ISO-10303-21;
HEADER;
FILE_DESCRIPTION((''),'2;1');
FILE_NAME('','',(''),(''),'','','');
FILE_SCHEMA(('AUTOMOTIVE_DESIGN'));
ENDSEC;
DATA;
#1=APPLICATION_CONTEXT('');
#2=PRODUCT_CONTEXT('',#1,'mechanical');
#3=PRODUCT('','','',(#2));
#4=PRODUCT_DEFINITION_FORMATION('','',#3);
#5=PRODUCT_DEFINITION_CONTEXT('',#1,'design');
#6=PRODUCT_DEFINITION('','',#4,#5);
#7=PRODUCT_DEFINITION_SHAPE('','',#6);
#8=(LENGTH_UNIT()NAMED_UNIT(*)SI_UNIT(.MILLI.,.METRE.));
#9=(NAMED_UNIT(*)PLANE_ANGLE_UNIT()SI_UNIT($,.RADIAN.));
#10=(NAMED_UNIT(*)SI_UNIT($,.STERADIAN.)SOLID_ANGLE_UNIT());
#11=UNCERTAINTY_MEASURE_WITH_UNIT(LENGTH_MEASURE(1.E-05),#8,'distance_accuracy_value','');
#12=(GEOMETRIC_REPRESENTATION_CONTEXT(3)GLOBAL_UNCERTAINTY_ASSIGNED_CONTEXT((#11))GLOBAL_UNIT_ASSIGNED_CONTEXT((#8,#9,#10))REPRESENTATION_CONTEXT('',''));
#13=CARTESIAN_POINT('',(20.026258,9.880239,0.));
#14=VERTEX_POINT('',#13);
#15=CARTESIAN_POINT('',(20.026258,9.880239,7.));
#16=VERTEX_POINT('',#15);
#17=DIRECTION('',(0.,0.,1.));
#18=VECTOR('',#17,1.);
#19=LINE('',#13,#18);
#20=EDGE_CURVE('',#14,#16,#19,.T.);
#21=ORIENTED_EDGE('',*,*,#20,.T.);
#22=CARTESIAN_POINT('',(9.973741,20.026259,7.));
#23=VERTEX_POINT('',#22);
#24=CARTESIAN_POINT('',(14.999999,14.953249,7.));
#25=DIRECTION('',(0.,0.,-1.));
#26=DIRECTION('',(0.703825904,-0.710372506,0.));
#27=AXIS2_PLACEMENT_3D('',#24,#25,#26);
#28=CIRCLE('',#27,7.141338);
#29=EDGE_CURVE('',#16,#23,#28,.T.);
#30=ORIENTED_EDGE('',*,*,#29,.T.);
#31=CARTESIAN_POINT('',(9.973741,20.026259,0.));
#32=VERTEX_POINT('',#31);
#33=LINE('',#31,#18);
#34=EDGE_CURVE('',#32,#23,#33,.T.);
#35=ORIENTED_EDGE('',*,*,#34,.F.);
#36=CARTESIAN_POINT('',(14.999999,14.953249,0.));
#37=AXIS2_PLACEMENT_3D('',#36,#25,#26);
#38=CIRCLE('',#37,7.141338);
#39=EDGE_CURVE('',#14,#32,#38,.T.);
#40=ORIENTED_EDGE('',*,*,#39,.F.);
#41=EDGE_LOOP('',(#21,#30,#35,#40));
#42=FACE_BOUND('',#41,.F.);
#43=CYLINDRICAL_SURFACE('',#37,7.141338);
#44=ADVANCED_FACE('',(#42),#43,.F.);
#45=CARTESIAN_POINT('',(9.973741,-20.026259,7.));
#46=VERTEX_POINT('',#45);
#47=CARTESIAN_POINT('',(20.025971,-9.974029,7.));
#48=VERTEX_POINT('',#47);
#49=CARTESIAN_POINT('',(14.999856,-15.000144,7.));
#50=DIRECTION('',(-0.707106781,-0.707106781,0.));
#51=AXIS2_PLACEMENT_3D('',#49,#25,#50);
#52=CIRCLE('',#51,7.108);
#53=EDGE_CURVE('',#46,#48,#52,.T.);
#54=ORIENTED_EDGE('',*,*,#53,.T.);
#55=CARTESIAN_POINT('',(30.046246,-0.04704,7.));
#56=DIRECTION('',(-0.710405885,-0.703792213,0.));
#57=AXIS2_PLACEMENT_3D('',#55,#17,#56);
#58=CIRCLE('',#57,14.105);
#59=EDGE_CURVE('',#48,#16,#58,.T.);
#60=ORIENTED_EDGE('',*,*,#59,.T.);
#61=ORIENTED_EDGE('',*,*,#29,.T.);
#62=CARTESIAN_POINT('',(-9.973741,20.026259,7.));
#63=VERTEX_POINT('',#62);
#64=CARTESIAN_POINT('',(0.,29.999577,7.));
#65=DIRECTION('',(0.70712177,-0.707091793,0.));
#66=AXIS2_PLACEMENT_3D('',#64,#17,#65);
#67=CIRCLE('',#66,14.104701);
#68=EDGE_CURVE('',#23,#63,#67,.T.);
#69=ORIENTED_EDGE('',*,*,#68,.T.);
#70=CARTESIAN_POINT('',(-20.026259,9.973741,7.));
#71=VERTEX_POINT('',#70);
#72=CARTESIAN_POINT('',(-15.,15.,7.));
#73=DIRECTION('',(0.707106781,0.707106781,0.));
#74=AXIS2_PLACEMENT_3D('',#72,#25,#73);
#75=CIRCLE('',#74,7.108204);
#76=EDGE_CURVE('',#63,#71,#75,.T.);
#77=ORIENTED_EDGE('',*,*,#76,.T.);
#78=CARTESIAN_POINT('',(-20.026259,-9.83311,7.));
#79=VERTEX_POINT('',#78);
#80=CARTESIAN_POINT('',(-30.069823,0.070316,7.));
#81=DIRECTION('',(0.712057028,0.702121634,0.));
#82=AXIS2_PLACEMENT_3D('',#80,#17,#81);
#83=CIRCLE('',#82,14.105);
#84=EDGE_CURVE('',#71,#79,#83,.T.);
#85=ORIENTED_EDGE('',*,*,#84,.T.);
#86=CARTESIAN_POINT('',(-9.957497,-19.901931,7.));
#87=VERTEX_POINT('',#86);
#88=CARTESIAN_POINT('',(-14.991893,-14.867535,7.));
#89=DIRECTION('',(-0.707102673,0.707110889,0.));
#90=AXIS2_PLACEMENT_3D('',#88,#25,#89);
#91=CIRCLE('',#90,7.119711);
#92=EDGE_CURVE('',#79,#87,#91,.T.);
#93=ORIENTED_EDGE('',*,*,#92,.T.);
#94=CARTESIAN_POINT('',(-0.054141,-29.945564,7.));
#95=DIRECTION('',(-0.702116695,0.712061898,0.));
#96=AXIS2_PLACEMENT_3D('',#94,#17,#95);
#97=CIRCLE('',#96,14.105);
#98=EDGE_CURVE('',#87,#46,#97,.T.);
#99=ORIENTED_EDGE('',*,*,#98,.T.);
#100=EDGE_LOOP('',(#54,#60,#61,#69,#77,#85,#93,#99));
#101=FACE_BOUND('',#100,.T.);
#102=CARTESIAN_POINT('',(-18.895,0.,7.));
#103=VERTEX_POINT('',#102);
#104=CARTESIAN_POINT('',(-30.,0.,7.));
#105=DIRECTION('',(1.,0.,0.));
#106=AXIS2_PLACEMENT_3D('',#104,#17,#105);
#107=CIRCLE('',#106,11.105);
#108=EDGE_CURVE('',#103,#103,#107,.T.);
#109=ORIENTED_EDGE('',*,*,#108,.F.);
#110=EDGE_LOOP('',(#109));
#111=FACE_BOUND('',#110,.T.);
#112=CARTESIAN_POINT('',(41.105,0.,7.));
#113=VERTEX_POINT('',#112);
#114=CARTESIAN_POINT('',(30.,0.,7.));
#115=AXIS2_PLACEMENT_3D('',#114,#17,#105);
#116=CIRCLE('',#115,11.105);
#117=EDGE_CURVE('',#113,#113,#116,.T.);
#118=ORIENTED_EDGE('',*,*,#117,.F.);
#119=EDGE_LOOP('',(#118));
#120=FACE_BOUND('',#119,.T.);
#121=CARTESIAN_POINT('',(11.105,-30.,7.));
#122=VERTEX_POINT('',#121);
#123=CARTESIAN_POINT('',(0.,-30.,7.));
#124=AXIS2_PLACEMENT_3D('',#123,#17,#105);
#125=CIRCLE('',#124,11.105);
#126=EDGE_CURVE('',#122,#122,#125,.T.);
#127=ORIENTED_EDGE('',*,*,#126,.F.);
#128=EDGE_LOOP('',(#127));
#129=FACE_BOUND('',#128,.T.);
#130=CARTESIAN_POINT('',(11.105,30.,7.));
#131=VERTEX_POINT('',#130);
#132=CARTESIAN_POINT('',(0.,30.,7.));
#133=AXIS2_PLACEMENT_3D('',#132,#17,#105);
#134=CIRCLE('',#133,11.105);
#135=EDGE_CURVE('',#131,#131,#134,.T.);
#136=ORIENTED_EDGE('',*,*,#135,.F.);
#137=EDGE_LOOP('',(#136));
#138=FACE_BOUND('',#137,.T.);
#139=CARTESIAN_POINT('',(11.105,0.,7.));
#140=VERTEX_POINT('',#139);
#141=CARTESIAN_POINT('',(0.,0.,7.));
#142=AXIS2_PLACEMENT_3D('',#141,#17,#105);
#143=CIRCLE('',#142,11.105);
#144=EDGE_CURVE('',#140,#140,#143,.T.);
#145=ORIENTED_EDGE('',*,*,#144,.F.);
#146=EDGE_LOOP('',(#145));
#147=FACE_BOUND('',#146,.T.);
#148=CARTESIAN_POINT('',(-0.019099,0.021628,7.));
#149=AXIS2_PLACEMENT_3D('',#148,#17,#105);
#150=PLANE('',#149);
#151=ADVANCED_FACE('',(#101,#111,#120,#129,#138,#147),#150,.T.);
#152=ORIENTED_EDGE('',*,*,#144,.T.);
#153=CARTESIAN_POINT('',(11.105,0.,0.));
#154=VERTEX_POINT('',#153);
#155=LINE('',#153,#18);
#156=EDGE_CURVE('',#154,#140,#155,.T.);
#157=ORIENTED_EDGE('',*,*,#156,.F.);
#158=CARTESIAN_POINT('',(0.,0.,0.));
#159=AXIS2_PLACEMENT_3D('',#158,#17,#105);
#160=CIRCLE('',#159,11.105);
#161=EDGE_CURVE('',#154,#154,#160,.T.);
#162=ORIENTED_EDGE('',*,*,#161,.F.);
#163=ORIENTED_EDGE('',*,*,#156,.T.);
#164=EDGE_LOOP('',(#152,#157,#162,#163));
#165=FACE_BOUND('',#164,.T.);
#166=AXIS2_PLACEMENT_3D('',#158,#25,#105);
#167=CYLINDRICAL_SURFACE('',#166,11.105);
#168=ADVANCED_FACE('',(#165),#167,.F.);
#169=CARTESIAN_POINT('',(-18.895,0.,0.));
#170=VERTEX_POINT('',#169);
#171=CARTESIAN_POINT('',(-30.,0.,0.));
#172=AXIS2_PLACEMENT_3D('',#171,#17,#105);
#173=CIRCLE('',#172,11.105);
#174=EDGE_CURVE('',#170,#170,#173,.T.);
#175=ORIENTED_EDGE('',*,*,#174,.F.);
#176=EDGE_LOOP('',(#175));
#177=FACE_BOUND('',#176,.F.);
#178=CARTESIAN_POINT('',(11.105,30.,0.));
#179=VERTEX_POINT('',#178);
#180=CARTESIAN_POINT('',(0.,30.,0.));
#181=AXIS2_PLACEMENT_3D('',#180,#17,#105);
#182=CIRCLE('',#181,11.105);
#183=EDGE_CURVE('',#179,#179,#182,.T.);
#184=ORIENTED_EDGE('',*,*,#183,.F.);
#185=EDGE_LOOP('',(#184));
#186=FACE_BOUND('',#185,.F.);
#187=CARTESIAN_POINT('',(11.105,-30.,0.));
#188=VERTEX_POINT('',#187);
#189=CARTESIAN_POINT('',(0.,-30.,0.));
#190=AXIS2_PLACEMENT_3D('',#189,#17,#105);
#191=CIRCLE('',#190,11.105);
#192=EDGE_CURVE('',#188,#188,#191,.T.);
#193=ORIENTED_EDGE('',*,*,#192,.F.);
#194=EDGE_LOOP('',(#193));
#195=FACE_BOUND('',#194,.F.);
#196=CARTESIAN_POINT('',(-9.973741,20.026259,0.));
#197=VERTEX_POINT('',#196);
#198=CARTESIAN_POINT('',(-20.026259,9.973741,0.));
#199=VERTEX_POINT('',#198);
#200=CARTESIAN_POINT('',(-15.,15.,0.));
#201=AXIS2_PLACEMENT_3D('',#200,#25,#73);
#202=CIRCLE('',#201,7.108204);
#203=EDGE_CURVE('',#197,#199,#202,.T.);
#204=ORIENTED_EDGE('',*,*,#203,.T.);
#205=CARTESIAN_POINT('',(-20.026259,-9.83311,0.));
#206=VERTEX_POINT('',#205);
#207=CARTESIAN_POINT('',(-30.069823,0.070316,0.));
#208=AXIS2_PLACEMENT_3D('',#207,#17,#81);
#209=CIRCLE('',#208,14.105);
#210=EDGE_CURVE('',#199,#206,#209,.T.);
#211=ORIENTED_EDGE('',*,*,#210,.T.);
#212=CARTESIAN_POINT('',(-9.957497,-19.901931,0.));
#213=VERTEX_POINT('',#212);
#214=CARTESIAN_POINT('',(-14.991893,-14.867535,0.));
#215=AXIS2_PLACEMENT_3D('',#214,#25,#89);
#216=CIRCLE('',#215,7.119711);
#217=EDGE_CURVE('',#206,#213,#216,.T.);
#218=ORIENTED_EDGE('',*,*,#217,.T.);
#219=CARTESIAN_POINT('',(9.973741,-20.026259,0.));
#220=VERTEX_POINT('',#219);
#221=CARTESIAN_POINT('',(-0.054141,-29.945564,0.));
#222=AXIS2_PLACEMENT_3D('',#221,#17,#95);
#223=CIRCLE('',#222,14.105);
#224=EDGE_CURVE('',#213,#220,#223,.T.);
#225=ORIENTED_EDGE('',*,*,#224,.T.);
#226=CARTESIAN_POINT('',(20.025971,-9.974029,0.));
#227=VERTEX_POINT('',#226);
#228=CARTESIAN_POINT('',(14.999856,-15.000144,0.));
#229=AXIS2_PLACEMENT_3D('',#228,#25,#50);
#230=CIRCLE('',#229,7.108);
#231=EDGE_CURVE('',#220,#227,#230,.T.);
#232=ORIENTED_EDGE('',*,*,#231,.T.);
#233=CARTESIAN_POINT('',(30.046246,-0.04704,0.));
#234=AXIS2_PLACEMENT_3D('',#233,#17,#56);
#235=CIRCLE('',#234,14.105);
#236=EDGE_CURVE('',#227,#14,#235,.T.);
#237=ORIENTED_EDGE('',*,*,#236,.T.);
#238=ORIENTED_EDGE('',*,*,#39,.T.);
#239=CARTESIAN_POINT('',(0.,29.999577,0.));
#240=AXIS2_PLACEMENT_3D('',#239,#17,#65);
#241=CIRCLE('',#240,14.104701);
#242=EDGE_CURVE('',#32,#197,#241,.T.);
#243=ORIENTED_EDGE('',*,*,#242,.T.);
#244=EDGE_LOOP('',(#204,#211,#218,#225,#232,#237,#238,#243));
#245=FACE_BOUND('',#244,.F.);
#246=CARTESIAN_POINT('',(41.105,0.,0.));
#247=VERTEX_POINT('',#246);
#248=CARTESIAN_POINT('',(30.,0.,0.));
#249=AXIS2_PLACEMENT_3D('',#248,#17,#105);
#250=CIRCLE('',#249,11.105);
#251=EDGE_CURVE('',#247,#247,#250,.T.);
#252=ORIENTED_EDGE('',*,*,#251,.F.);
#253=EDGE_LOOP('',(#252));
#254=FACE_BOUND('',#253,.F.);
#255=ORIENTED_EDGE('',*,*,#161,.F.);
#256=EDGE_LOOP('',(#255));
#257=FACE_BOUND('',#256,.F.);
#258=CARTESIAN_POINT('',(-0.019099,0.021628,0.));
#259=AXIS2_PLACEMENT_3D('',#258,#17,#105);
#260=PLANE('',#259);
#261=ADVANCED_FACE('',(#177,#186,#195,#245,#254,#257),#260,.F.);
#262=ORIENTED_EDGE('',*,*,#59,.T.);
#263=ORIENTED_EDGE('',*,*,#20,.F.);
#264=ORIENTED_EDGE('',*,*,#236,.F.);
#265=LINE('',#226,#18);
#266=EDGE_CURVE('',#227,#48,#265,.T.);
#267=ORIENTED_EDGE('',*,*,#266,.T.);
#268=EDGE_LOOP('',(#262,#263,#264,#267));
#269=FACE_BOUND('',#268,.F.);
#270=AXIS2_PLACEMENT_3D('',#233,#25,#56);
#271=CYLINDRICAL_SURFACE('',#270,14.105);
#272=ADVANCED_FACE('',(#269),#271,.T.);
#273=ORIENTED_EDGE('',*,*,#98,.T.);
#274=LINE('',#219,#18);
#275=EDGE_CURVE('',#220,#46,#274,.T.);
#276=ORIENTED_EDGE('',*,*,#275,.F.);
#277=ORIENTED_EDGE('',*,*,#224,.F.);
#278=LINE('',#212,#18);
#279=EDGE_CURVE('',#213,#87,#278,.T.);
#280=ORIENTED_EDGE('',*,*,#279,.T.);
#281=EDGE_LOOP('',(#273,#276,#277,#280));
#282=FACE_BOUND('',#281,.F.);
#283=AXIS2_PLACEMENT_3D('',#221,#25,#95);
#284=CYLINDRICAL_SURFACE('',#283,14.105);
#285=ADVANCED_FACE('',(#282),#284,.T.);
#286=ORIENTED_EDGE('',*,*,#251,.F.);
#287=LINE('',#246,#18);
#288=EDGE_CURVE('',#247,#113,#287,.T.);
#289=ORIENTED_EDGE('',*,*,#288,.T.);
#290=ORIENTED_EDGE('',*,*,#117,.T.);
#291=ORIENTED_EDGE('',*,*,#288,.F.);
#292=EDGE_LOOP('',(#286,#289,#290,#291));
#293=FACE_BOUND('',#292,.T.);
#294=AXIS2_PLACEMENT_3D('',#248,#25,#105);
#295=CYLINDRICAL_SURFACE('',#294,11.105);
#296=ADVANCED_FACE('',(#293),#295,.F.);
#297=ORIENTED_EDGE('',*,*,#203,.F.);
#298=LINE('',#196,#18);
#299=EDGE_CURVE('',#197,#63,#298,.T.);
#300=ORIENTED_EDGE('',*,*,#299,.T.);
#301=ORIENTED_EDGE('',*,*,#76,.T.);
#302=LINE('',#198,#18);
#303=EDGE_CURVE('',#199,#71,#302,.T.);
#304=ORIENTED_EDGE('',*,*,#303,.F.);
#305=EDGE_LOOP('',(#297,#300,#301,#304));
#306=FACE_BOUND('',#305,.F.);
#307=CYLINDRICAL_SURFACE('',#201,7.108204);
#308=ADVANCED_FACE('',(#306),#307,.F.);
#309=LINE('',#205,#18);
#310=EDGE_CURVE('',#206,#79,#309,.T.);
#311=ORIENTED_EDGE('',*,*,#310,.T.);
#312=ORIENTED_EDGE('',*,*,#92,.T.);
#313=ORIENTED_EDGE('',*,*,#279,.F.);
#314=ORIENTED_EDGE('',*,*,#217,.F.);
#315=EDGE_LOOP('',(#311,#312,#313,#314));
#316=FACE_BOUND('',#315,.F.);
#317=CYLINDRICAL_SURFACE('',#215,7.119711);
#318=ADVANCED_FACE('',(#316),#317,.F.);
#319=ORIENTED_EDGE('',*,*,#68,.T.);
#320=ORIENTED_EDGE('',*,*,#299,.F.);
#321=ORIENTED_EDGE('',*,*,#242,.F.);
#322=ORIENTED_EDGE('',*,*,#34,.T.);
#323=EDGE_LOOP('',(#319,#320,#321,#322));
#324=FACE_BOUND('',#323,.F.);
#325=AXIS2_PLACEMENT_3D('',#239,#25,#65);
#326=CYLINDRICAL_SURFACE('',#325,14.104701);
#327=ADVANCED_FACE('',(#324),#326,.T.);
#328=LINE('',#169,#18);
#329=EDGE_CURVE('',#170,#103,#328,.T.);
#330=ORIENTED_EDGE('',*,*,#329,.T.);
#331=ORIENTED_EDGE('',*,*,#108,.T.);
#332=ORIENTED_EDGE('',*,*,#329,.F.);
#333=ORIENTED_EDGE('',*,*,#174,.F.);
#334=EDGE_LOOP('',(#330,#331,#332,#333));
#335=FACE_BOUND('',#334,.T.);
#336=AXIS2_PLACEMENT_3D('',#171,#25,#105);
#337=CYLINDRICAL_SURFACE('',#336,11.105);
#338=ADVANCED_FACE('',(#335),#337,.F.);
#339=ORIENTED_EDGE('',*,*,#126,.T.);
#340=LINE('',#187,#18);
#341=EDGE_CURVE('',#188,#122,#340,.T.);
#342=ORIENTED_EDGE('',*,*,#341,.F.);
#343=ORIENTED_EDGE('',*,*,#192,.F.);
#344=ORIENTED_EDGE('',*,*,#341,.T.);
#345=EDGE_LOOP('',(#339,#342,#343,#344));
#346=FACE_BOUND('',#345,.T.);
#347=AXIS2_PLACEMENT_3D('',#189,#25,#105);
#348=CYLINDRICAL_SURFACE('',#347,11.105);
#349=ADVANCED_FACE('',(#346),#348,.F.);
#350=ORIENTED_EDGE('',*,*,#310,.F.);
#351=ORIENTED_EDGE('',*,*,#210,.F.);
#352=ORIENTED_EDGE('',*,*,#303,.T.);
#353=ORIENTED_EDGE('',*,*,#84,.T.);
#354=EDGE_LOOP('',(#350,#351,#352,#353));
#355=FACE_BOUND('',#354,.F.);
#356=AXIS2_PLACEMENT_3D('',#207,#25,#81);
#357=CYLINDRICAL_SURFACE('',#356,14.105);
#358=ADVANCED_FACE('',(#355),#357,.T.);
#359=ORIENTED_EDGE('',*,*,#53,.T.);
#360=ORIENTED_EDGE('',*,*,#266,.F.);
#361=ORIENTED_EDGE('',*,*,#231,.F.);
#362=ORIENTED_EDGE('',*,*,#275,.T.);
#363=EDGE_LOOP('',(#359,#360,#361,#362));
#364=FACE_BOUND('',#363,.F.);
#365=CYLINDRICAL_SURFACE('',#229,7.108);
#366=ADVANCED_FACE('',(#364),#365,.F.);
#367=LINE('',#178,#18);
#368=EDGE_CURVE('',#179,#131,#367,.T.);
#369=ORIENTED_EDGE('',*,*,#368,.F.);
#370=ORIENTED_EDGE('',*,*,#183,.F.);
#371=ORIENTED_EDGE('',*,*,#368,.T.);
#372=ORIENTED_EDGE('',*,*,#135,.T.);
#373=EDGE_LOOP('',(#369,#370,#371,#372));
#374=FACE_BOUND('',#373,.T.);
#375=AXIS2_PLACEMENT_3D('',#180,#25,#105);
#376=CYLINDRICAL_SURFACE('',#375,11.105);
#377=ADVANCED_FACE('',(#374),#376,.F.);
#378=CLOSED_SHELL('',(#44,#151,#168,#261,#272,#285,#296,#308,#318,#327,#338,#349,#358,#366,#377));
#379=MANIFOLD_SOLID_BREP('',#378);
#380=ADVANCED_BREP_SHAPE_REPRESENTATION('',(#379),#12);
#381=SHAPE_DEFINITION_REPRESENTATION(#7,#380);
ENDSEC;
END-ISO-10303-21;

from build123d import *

# Parameters (mm, degrees)
F0_R     = 11.105
F1_DEPTH = 7


with BuildPart() as f1:
    # F0 (on Top) → F1 (new body)
    with BuildSketch(Plane.XY):
        with BuildLine():
            ThreePointArc((-20.026259, -9.83311), (-9.957482, -9.833154), (-9.957497, -19.901931))
            ThreePointArc((-9.957497, -19.901931), (-0.142123, -44.05029), (9.973741, -20.026259))
            ThreePointArc((9.973741, -20.026259), (9.973741, -9.974029), (20.025971, -9.974029))
            ThreePointArc((20.025971, -9.974029), (44.151246, -0.047243), (20.026258, 9.880239))
            ThreePointArc((20.026258, 9.880239), (9.926989, 9.926991), (9.973741, 20.026259))
            ThreePointArc((9.973741, 20.026259), (0, 44.104278), (-9.973741, 20.026259))
            ThreePointArc((-9.973741, 20.026259), (-9.973741, 9.973741), (-20.026259, 9.973741))
            ThreePointArc((-20.026259, 9.973741), (-44.174823, 0.070316), (-20.026259, -9.83311))
        make_face()
        with Locations((-30, 0)):
            Circle(F0_R, mode=Mode.SUBTRACT)
        with Locations((0, -30)):
            Circle(F0_R, mode=Mode.SUBTRACT)
        Circle(F0_R, mode=Mode.SUBTRACT)
        with Locations((30, 0)):
            Circle(F0_R, mode=Mode.SUBTRACT)
        with Locations((0, 30)):
            Circle(F0_R, mode=Mode.SUBTRACT)
    extrude(amount=F1_DEPTH)


solid = f1.part
